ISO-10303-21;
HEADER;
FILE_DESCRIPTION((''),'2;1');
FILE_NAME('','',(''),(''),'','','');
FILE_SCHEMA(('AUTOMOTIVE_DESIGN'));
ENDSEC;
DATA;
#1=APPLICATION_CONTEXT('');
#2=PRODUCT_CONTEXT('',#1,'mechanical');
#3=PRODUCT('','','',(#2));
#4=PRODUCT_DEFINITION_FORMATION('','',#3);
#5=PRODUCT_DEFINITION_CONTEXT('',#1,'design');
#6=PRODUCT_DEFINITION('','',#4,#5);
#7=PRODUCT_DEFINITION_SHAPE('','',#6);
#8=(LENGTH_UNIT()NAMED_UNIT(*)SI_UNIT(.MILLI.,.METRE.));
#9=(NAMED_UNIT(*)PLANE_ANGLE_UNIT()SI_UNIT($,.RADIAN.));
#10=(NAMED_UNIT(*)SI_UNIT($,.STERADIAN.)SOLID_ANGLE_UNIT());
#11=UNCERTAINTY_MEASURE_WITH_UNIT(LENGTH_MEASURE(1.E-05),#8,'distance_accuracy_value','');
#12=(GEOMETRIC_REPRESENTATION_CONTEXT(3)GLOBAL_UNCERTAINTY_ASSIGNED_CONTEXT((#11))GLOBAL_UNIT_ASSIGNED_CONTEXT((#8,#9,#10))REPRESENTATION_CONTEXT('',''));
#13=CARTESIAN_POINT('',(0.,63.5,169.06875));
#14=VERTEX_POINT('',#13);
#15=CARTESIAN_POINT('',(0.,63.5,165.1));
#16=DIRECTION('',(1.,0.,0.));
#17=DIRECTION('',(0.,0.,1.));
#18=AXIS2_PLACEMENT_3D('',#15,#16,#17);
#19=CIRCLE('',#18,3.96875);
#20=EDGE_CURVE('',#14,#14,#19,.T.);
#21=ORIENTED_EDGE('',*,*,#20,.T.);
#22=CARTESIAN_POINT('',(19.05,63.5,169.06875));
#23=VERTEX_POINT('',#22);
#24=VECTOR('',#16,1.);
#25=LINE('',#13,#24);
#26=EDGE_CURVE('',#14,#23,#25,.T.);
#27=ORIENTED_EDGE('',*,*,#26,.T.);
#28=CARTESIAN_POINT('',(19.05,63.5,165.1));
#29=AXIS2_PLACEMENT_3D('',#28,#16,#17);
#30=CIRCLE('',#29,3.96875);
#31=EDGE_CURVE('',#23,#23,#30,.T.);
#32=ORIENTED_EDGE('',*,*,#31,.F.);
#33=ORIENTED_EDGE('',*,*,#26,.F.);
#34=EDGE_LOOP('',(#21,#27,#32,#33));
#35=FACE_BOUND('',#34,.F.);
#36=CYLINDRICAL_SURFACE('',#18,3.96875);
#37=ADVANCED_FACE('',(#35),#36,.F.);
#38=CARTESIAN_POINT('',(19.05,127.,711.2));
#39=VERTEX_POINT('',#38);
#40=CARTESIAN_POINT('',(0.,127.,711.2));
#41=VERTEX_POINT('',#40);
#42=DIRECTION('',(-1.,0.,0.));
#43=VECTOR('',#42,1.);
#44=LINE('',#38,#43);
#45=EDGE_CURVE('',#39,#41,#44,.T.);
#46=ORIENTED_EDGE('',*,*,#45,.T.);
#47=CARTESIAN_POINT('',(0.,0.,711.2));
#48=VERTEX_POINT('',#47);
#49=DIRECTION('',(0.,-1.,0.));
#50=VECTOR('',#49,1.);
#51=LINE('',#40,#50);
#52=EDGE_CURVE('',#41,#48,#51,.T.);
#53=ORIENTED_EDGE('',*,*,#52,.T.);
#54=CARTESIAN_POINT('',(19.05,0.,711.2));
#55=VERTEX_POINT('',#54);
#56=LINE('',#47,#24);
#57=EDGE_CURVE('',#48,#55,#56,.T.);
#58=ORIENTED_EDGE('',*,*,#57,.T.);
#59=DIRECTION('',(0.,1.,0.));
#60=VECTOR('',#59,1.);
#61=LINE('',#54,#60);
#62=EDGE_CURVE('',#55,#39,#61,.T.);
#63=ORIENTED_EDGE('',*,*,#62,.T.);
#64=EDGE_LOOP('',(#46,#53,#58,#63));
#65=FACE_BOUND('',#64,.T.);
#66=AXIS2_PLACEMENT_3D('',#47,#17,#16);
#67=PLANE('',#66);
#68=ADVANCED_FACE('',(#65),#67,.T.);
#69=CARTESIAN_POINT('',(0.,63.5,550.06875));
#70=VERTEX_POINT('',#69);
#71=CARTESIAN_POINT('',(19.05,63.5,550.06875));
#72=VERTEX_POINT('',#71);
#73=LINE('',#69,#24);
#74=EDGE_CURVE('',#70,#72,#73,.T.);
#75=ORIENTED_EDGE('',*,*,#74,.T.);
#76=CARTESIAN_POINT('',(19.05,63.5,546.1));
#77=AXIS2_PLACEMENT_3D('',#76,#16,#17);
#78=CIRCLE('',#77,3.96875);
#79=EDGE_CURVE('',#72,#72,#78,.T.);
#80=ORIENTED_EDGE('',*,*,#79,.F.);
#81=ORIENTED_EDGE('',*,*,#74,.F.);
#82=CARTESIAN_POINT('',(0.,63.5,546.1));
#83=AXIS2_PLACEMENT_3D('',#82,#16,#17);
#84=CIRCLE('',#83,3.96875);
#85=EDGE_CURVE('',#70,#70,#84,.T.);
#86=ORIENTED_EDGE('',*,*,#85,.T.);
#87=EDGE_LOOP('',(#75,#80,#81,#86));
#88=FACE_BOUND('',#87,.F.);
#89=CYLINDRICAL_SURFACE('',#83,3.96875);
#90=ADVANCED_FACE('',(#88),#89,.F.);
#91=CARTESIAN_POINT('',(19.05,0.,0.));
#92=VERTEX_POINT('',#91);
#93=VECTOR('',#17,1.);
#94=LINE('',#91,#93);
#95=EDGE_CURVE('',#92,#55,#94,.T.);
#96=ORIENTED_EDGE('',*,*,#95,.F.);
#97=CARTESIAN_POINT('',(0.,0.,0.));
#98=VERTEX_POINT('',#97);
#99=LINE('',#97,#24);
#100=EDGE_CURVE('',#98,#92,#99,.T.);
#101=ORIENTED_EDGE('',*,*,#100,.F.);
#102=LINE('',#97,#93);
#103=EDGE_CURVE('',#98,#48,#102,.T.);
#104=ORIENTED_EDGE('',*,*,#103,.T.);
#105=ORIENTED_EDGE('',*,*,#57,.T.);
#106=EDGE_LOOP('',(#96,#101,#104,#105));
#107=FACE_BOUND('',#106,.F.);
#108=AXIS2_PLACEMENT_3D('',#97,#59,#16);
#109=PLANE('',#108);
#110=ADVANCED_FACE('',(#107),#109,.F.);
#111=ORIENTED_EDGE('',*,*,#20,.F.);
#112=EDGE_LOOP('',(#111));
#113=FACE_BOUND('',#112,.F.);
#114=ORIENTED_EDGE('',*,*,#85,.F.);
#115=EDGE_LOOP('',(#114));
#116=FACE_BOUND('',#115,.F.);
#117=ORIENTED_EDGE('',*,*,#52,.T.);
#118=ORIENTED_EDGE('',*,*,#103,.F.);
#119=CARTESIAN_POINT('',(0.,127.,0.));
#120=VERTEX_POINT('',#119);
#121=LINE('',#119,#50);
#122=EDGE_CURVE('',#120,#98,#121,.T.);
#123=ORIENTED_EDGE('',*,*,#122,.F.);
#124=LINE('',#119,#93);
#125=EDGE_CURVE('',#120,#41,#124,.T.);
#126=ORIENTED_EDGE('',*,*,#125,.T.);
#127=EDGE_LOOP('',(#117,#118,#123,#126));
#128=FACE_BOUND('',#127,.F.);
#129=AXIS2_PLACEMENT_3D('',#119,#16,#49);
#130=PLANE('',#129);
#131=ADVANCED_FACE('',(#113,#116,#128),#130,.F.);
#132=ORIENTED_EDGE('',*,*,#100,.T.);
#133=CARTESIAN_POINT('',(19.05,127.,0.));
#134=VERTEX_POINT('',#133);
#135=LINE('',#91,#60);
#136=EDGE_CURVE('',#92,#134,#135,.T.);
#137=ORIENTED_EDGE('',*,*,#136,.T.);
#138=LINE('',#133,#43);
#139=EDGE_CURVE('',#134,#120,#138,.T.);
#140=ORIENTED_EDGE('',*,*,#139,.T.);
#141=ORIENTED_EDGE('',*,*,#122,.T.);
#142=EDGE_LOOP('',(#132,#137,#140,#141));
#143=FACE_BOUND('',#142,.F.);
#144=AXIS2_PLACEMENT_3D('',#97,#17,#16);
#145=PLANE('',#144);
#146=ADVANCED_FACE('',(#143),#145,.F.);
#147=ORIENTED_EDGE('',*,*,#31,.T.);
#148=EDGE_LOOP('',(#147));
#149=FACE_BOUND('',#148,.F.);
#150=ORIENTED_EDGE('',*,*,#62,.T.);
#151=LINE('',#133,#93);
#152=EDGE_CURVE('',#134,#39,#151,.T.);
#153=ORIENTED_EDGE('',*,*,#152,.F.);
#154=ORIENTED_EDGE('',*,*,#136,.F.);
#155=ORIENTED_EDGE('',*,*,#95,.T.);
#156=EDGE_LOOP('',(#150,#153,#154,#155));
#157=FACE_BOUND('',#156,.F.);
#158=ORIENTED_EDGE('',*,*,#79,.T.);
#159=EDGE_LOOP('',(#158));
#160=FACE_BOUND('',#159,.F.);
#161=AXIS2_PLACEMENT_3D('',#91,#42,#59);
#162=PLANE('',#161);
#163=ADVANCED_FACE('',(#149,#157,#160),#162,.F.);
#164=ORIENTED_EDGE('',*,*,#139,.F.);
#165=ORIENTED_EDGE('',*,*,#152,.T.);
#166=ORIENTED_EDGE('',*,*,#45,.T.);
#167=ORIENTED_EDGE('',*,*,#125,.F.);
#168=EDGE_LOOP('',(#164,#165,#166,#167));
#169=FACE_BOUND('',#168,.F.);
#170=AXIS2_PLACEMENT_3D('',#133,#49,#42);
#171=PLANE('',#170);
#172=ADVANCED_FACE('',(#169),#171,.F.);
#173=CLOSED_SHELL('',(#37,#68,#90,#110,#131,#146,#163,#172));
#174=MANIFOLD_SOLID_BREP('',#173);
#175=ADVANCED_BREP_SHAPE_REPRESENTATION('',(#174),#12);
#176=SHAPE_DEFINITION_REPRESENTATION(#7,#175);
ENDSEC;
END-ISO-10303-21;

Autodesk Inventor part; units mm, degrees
ref_plane "YZ Plane" through (0, 0, 0) normal (1, 0, 0) x (0, 1, 0)
ref_plane "XZ Plane" through (0, 0, 0) normal (0, 1, 0) x (-1, 0, 0)
ref_plane "XY Plane" through (0, 0, 0) normal (0, 0, 1) x (1, 0, 0)
sketch "Sketch1" plane through (0, 0, 0) normal (0, 0, 1) x (1, 0, 0)
  line L0 (0, 0) -> (19.05, 0)
  line L1 (19.05, 0) -> (19.05, 127)
  line L2 (19.05, 127) -> (0, 127)
  line L3 (0, 127) -> (0, 0)
  dimension "d0" = 19.05
  dimension "d1" = 127
extrude "Extrusion1" add sketch "Sketch1" along normal blind 711.2
sketch "Sketch4" plane through (0, 0, 0) normal (-1, 0, 0) x (0, 0, 1)
  line L0 (0, 127) -> (0, 0) projected
  line L1 (0, 0) -> (711.2, 0) projected
  line L2 (711.2, 127) -> (711.2, 0) projected
  line L3 (0, 127) -> (711.2, 127) projected
  point P0 (165.1, 63.5)
  point P1 (546.1, 63.5)
  dimension "d18" = 63.5
  dimension "d19" = 63.5
  dimension "d20" = 165.1
  dimension "d21" = 165.1
hole "Hole1" at (0, 63.5, 165.1) at (0, 63.5, 546.1) direction (1, 0, 0) diameter 7.9375 end through all
properties part number "bumper_back"
